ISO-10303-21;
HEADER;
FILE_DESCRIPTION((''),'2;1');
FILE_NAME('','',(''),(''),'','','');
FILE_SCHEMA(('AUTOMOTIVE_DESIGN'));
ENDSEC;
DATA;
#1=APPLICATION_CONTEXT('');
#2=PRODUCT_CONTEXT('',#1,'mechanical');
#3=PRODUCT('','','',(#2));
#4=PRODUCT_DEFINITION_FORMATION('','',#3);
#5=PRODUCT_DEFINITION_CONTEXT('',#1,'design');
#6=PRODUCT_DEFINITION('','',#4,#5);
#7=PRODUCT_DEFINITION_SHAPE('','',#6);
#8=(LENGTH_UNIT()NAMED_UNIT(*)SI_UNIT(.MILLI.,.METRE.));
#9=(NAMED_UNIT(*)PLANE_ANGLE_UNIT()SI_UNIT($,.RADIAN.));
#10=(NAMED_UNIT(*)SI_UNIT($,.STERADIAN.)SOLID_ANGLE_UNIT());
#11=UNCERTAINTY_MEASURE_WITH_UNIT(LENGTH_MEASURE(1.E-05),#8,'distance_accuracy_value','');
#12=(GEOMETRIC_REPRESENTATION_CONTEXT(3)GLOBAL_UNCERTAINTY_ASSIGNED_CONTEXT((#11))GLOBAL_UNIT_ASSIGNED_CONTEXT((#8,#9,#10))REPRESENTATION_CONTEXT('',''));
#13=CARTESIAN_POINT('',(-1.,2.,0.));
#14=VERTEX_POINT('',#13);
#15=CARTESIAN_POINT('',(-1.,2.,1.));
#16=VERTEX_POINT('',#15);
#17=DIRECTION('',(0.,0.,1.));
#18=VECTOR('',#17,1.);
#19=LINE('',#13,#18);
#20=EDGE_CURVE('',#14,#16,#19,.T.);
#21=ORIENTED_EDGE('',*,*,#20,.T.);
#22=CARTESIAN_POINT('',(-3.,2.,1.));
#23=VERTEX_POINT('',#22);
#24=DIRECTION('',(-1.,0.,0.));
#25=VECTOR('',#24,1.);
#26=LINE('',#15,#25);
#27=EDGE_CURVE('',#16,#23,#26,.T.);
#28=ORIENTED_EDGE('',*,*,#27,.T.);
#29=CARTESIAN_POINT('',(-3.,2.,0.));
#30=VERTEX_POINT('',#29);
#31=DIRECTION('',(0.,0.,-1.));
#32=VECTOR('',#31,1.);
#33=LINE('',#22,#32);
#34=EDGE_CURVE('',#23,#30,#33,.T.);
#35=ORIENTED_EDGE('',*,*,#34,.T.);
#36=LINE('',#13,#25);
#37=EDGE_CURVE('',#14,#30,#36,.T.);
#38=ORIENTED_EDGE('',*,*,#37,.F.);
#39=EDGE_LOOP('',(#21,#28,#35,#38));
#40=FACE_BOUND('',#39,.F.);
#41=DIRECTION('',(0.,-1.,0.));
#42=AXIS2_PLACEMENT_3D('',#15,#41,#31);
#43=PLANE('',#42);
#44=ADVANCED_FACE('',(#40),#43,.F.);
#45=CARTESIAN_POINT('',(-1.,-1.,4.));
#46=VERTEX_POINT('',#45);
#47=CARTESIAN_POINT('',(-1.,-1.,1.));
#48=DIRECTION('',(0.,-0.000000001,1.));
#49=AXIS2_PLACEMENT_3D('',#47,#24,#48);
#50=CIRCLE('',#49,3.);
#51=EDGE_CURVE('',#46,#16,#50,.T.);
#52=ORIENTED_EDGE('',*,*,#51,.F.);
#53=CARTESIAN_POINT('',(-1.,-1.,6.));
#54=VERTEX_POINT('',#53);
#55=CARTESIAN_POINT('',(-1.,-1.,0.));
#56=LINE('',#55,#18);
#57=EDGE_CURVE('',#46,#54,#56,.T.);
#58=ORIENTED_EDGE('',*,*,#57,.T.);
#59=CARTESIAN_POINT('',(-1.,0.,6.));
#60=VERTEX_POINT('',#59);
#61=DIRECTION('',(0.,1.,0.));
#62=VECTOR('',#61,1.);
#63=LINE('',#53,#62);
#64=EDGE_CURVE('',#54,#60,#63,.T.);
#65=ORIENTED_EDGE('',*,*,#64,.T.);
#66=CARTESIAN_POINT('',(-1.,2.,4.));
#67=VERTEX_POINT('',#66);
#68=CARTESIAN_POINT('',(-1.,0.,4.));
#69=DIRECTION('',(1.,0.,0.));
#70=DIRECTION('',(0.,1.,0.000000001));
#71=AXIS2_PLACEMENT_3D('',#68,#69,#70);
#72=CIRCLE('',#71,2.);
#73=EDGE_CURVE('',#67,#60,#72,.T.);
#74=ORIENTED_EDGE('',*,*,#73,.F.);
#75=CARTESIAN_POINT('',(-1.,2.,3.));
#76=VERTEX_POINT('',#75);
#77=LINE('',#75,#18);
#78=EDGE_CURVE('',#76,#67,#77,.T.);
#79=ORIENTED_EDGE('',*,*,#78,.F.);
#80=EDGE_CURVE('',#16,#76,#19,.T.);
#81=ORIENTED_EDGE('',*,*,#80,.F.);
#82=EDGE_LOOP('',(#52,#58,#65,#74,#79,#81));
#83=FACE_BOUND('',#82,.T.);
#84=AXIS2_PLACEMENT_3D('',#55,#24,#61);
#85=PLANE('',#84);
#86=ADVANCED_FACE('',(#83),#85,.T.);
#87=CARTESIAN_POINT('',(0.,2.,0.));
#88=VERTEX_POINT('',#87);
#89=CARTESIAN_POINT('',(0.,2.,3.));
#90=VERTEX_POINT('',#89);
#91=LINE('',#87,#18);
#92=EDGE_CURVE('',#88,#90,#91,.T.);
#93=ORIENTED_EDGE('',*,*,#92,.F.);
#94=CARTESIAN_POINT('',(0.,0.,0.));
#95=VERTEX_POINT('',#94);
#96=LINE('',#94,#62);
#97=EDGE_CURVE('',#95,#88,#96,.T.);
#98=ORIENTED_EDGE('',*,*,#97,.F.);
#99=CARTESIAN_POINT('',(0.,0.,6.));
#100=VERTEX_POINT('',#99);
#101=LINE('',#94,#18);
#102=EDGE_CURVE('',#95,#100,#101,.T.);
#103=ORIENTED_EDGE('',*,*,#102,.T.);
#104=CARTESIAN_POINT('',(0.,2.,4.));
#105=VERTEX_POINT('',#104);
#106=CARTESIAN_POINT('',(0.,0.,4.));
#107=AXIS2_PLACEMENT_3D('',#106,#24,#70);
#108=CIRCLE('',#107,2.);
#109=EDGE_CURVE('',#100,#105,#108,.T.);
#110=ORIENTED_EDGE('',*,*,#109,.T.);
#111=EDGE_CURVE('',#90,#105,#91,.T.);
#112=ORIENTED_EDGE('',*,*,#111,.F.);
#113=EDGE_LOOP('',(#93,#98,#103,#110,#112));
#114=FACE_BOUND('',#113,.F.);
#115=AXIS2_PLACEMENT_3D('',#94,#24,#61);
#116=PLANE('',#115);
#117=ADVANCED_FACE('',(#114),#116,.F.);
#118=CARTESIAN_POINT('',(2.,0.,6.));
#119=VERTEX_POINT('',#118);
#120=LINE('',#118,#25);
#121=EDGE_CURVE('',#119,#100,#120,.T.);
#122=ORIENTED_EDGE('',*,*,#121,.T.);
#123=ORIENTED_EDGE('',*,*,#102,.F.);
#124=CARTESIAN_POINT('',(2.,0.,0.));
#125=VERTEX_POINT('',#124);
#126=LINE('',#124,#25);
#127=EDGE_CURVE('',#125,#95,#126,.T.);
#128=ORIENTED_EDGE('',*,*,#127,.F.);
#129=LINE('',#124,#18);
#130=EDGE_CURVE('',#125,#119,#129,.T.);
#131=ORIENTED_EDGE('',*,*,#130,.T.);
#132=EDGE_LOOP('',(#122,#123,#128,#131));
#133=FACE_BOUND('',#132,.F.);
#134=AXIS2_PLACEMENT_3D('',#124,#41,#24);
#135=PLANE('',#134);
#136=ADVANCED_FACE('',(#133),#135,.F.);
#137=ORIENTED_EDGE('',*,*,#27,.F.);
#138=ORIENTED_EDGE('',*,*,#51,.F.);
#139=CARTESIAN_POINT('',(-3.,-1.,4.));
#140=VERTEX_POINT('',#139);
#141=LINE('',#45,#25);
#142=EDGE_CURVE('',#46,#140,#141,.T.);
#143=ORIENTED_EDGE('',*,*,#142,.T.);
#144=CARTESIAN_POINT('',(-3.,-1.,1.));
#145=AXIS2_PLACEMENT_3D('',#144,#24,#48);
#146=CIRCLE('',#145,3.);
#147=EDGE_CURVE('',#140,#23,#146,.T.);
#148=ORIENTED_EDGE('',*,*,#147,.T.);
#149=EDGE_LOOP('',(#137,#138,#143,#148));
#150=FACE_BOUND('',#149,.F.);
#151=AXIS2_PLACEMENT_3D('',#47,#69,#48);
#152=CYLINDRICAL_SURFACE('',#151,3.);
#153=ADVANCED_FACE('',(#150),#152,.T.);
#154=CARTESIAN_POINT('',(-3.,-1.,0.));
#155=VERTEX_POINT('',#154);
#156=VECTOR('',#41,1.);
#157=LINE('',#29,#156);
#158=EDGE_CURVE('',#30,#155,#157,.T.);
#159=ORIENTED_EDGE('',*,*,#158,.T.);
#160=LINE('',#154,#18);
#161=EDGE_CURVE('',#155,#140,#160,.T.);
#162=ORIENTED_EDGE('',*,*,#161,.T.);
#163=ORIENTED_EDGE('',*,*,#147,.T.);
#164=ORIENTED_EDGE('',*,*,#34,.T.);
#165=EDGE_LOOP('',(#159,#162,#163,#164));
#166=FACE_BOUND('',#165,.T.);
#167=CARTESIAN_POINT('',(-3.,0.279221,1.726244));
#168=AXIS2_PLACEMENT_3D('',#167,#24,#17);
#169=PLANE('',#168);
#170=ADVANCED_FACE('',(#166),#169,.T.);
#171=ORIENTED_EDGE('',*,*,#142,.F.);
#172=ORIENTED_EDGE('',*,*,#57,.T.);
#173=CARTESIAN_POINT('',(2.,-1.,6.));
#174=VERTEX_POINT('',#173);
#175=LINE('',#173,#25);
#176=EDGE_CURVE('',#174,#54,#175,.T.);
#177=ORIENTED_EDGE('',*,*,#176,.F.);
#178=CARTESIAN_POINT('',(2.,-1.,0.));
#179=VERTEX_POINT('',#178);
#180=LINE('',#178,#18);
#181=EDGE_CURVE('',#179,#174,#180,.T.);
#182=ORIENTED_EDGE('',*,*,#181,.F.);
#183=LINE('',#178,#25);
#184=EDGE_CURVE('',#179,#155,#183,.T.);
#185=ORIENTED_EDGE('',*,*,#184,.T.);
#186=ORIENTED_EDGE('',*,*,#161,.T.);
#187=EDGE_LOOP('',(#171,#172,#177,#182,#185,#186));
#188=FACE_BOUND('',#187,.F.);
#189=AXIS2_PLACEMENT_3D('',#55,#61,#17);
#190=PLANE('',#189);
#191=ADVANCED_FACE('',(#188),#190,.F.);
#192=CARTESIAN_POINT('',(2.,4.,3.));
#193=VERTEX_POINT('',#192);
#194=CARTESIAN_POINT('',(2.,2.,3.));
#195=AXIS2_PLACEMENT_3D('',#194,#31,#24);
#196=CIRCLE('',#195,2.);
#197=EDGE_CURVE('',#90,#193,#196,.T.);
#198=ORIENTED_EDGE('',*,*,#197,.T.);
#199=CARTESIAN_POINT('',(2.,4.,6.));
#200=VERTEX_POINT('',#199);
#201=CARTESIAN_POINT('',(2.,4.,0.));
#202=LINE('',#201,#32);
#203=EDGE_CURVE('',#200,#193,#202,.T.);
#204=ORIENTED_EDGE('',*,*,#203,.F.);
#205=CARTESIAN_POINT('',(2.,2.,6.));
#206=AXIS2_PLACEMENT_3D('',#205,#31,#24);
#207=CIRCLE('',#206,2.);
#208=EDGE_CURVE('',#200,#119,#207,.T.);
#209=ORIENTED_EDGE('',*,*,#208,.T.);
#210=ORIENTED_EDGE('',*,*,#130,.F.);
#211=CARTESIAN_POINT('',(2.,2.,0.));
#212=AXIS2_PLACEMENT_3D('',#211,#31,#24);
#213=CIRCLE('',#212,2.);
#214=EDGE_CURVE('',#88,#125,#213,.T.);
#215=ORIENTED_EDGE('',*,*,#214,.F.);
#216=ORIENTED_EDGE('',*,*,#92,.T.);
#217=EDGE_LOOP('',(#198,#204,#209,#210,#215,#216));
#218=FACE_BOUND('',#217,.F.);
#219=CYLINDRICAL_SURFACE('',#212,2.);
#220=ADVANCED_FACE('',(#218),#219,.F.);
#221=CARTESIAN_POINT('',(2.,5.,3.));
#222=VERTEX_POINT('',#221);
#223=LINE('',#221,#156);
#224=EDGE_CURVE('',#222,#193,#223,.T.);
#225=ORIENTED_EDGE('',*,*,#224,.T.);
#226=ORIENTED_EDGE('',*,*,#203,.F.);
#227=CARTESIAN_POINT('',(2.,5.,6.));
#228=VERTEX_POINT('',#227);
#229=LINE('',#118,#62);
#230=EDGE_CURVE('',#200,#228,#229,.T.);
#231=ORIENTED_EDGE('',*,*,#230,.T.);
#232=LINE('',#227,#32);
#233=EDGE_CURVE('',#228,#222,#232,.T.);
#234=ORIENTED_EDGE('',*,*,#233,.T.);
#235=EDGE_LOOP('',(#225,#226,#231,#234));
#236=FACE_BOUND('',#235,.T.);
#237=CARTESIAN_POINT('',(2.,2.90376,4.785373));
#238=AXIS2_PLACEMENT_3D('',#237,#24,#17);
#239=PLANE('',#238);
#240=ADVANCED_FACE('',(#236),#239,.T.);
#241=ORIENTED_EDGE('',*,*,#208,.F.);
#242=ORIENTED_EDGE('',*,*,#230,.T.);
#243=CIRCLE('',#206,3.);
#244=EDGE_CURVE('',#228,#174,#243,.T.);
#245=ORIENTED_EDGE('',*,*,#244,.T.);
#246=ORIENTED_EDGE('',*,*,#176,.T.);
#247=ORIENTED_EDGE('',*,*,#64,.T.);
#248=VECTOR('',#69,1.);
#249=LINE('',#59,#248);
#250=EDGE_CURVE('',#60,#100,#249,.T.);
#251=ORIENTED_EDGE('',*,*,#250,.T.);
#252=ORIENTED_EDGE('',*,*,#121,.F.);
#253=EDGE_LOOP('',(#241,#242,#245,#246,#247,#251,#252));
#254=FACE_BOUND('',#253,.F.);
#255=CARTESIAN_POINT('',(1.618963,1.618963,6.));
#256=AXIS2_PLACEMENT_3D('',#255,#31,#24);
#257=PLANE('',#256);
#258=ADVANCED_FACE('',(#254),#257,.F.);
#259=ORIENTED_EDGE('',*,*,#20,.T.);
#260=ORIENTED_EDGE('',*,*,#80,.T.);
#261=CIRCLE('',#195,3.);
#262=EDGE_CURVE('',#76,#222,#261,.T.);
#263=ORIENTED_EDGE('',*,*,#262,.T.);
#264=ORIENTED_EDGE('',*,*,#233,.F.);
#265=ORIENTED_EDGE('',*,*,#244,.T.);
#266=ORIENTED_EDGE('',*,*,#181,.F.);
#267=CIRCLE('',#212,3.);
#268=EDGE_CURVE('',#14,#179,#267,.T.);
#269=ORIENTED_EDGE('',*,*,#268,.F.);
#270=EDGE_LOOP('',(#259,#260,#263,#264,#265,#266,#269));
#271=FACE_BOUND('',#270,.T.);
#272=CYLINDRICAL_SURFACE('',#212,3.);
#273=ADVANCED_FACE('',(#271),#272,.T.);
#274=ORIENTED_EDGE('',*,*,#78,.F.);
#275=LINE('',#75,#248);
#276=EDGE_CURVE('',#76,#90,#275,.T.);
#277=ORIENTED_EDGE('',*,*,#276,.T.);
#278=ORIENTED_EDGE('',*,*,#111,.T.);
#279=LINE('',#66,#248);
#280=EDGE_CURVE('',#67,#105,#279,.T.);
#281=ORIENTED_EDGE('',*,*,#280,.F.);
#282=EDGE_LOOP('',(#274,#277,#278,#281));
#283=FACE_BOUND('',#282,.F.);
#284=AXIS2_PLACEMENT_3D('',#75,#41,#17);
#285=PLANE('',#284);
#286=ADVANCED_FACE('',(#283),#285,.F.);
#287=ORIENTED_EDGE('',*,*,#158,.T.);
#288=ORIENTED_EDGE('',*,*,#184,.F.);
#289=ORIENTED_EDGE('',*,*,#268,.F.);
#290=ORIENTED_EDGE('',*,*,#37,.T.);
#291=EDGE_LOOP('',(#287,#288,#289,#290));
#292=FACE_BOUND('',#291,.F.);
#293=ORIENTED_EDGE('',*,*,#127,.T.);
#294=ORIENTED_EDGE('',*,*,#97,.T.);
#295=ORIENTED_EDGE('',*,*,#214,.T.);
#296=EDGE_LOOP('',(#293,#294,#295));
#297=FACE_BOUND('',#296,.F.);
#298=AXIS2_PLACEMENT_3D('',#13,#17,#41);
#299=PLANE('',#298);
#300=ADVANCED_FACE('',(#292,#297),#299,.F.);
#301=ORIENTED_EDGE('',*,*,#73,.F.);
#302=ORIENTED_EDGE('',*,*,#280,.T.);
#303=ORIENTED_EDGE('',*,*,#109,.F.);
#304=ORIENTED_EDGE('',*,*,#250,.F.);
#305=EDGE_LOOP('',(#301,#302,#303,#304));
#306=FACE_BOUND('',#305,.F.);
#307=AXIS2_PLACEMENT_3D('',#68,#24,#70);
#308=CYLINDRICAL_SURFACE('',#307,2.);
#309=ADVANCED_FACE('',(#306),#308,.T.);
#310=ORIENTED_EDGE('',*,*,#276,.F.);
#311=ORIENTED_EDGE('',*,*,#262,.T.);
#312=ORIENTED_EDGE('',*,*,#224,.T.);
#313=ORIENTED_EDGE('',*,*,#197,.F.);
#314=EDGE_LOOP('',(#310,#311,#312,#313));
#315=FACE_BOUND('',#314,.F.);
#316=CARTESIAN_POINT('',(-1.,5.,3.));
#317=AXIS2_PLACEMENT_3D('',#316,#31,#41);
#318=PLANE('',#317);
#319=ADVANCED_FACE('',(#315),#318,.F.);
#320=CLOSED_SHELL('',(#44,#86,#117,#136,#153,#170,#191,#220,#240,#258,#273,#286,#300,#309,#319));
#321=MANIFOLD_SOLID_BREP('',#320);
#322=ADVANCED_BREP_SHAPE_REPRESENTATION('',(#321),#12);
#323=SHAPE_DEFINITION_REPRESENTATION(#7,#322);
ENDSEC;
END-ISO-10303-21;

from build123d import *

# Parameters (mm, degrees)
BOSS_EXTRUDE1_DEPTH = 6
BOSS_EXTRUDE2_DEPTH = 2
CUT_EXTRUDE1_DEPTH  = 3


with BuildPart() as part:
    # Sketch2 → Boss-Extrude1 (new body)
    with BuildSketch(Plane.XY):
        with BuildLine():
            ThreePointArc((-1, 2), (4.121320344, 4.121320344), (2, -1))
            Line((2, -1), (-1, -1))
            Line((-1, -1), (-1, 2))
        make_face()
        with BuildLine():
            Line((0, 0), (0, 2))
            ThreePointArc((0, 2), (3.414213562, 3.414213562), (2, 0))
            Line((2, 0), (0, 0))
        make_face(mode=Mode.SUBTRACT)
    extrude(amount=BOSS_EXTRUDE1_DEPTH)

    # Sketch3 → Boss-Extrude2 (add)
    with BuildSketch(Plane.ZY.offset(1)):
        with BuildLine():
            Line((0, 2), (0, -1))
            Line((0, -1), (4, -1))
            ThreePointArc((4, -1), (3.121320344, 1.121320344), (1, 2))
            Line((1, 2), (0, 2))
        make_face()
    extrude(amount=BOSS_EXTRUDE2_DEPTH)

    # Sketch4 → Cut-Extrude1 (cut)
    with BuildSketch(Plane.ZY.offset(1)):
        with BuildLine():
            Line((3, 2), (4, 2))
            ThreePointArc((4, 2), (5.414213562, 1.414213562), (6, 0))
            Line((6, 0), (6, 5))
            Line((6, 5), (3, 5))
            Line((3, 5), (3, 2))
        make_face()
    extrude(amount=-CUT_EXTRUDE1_DEPTH, mode=Mode.SUBTRACT)


solid = part.part
